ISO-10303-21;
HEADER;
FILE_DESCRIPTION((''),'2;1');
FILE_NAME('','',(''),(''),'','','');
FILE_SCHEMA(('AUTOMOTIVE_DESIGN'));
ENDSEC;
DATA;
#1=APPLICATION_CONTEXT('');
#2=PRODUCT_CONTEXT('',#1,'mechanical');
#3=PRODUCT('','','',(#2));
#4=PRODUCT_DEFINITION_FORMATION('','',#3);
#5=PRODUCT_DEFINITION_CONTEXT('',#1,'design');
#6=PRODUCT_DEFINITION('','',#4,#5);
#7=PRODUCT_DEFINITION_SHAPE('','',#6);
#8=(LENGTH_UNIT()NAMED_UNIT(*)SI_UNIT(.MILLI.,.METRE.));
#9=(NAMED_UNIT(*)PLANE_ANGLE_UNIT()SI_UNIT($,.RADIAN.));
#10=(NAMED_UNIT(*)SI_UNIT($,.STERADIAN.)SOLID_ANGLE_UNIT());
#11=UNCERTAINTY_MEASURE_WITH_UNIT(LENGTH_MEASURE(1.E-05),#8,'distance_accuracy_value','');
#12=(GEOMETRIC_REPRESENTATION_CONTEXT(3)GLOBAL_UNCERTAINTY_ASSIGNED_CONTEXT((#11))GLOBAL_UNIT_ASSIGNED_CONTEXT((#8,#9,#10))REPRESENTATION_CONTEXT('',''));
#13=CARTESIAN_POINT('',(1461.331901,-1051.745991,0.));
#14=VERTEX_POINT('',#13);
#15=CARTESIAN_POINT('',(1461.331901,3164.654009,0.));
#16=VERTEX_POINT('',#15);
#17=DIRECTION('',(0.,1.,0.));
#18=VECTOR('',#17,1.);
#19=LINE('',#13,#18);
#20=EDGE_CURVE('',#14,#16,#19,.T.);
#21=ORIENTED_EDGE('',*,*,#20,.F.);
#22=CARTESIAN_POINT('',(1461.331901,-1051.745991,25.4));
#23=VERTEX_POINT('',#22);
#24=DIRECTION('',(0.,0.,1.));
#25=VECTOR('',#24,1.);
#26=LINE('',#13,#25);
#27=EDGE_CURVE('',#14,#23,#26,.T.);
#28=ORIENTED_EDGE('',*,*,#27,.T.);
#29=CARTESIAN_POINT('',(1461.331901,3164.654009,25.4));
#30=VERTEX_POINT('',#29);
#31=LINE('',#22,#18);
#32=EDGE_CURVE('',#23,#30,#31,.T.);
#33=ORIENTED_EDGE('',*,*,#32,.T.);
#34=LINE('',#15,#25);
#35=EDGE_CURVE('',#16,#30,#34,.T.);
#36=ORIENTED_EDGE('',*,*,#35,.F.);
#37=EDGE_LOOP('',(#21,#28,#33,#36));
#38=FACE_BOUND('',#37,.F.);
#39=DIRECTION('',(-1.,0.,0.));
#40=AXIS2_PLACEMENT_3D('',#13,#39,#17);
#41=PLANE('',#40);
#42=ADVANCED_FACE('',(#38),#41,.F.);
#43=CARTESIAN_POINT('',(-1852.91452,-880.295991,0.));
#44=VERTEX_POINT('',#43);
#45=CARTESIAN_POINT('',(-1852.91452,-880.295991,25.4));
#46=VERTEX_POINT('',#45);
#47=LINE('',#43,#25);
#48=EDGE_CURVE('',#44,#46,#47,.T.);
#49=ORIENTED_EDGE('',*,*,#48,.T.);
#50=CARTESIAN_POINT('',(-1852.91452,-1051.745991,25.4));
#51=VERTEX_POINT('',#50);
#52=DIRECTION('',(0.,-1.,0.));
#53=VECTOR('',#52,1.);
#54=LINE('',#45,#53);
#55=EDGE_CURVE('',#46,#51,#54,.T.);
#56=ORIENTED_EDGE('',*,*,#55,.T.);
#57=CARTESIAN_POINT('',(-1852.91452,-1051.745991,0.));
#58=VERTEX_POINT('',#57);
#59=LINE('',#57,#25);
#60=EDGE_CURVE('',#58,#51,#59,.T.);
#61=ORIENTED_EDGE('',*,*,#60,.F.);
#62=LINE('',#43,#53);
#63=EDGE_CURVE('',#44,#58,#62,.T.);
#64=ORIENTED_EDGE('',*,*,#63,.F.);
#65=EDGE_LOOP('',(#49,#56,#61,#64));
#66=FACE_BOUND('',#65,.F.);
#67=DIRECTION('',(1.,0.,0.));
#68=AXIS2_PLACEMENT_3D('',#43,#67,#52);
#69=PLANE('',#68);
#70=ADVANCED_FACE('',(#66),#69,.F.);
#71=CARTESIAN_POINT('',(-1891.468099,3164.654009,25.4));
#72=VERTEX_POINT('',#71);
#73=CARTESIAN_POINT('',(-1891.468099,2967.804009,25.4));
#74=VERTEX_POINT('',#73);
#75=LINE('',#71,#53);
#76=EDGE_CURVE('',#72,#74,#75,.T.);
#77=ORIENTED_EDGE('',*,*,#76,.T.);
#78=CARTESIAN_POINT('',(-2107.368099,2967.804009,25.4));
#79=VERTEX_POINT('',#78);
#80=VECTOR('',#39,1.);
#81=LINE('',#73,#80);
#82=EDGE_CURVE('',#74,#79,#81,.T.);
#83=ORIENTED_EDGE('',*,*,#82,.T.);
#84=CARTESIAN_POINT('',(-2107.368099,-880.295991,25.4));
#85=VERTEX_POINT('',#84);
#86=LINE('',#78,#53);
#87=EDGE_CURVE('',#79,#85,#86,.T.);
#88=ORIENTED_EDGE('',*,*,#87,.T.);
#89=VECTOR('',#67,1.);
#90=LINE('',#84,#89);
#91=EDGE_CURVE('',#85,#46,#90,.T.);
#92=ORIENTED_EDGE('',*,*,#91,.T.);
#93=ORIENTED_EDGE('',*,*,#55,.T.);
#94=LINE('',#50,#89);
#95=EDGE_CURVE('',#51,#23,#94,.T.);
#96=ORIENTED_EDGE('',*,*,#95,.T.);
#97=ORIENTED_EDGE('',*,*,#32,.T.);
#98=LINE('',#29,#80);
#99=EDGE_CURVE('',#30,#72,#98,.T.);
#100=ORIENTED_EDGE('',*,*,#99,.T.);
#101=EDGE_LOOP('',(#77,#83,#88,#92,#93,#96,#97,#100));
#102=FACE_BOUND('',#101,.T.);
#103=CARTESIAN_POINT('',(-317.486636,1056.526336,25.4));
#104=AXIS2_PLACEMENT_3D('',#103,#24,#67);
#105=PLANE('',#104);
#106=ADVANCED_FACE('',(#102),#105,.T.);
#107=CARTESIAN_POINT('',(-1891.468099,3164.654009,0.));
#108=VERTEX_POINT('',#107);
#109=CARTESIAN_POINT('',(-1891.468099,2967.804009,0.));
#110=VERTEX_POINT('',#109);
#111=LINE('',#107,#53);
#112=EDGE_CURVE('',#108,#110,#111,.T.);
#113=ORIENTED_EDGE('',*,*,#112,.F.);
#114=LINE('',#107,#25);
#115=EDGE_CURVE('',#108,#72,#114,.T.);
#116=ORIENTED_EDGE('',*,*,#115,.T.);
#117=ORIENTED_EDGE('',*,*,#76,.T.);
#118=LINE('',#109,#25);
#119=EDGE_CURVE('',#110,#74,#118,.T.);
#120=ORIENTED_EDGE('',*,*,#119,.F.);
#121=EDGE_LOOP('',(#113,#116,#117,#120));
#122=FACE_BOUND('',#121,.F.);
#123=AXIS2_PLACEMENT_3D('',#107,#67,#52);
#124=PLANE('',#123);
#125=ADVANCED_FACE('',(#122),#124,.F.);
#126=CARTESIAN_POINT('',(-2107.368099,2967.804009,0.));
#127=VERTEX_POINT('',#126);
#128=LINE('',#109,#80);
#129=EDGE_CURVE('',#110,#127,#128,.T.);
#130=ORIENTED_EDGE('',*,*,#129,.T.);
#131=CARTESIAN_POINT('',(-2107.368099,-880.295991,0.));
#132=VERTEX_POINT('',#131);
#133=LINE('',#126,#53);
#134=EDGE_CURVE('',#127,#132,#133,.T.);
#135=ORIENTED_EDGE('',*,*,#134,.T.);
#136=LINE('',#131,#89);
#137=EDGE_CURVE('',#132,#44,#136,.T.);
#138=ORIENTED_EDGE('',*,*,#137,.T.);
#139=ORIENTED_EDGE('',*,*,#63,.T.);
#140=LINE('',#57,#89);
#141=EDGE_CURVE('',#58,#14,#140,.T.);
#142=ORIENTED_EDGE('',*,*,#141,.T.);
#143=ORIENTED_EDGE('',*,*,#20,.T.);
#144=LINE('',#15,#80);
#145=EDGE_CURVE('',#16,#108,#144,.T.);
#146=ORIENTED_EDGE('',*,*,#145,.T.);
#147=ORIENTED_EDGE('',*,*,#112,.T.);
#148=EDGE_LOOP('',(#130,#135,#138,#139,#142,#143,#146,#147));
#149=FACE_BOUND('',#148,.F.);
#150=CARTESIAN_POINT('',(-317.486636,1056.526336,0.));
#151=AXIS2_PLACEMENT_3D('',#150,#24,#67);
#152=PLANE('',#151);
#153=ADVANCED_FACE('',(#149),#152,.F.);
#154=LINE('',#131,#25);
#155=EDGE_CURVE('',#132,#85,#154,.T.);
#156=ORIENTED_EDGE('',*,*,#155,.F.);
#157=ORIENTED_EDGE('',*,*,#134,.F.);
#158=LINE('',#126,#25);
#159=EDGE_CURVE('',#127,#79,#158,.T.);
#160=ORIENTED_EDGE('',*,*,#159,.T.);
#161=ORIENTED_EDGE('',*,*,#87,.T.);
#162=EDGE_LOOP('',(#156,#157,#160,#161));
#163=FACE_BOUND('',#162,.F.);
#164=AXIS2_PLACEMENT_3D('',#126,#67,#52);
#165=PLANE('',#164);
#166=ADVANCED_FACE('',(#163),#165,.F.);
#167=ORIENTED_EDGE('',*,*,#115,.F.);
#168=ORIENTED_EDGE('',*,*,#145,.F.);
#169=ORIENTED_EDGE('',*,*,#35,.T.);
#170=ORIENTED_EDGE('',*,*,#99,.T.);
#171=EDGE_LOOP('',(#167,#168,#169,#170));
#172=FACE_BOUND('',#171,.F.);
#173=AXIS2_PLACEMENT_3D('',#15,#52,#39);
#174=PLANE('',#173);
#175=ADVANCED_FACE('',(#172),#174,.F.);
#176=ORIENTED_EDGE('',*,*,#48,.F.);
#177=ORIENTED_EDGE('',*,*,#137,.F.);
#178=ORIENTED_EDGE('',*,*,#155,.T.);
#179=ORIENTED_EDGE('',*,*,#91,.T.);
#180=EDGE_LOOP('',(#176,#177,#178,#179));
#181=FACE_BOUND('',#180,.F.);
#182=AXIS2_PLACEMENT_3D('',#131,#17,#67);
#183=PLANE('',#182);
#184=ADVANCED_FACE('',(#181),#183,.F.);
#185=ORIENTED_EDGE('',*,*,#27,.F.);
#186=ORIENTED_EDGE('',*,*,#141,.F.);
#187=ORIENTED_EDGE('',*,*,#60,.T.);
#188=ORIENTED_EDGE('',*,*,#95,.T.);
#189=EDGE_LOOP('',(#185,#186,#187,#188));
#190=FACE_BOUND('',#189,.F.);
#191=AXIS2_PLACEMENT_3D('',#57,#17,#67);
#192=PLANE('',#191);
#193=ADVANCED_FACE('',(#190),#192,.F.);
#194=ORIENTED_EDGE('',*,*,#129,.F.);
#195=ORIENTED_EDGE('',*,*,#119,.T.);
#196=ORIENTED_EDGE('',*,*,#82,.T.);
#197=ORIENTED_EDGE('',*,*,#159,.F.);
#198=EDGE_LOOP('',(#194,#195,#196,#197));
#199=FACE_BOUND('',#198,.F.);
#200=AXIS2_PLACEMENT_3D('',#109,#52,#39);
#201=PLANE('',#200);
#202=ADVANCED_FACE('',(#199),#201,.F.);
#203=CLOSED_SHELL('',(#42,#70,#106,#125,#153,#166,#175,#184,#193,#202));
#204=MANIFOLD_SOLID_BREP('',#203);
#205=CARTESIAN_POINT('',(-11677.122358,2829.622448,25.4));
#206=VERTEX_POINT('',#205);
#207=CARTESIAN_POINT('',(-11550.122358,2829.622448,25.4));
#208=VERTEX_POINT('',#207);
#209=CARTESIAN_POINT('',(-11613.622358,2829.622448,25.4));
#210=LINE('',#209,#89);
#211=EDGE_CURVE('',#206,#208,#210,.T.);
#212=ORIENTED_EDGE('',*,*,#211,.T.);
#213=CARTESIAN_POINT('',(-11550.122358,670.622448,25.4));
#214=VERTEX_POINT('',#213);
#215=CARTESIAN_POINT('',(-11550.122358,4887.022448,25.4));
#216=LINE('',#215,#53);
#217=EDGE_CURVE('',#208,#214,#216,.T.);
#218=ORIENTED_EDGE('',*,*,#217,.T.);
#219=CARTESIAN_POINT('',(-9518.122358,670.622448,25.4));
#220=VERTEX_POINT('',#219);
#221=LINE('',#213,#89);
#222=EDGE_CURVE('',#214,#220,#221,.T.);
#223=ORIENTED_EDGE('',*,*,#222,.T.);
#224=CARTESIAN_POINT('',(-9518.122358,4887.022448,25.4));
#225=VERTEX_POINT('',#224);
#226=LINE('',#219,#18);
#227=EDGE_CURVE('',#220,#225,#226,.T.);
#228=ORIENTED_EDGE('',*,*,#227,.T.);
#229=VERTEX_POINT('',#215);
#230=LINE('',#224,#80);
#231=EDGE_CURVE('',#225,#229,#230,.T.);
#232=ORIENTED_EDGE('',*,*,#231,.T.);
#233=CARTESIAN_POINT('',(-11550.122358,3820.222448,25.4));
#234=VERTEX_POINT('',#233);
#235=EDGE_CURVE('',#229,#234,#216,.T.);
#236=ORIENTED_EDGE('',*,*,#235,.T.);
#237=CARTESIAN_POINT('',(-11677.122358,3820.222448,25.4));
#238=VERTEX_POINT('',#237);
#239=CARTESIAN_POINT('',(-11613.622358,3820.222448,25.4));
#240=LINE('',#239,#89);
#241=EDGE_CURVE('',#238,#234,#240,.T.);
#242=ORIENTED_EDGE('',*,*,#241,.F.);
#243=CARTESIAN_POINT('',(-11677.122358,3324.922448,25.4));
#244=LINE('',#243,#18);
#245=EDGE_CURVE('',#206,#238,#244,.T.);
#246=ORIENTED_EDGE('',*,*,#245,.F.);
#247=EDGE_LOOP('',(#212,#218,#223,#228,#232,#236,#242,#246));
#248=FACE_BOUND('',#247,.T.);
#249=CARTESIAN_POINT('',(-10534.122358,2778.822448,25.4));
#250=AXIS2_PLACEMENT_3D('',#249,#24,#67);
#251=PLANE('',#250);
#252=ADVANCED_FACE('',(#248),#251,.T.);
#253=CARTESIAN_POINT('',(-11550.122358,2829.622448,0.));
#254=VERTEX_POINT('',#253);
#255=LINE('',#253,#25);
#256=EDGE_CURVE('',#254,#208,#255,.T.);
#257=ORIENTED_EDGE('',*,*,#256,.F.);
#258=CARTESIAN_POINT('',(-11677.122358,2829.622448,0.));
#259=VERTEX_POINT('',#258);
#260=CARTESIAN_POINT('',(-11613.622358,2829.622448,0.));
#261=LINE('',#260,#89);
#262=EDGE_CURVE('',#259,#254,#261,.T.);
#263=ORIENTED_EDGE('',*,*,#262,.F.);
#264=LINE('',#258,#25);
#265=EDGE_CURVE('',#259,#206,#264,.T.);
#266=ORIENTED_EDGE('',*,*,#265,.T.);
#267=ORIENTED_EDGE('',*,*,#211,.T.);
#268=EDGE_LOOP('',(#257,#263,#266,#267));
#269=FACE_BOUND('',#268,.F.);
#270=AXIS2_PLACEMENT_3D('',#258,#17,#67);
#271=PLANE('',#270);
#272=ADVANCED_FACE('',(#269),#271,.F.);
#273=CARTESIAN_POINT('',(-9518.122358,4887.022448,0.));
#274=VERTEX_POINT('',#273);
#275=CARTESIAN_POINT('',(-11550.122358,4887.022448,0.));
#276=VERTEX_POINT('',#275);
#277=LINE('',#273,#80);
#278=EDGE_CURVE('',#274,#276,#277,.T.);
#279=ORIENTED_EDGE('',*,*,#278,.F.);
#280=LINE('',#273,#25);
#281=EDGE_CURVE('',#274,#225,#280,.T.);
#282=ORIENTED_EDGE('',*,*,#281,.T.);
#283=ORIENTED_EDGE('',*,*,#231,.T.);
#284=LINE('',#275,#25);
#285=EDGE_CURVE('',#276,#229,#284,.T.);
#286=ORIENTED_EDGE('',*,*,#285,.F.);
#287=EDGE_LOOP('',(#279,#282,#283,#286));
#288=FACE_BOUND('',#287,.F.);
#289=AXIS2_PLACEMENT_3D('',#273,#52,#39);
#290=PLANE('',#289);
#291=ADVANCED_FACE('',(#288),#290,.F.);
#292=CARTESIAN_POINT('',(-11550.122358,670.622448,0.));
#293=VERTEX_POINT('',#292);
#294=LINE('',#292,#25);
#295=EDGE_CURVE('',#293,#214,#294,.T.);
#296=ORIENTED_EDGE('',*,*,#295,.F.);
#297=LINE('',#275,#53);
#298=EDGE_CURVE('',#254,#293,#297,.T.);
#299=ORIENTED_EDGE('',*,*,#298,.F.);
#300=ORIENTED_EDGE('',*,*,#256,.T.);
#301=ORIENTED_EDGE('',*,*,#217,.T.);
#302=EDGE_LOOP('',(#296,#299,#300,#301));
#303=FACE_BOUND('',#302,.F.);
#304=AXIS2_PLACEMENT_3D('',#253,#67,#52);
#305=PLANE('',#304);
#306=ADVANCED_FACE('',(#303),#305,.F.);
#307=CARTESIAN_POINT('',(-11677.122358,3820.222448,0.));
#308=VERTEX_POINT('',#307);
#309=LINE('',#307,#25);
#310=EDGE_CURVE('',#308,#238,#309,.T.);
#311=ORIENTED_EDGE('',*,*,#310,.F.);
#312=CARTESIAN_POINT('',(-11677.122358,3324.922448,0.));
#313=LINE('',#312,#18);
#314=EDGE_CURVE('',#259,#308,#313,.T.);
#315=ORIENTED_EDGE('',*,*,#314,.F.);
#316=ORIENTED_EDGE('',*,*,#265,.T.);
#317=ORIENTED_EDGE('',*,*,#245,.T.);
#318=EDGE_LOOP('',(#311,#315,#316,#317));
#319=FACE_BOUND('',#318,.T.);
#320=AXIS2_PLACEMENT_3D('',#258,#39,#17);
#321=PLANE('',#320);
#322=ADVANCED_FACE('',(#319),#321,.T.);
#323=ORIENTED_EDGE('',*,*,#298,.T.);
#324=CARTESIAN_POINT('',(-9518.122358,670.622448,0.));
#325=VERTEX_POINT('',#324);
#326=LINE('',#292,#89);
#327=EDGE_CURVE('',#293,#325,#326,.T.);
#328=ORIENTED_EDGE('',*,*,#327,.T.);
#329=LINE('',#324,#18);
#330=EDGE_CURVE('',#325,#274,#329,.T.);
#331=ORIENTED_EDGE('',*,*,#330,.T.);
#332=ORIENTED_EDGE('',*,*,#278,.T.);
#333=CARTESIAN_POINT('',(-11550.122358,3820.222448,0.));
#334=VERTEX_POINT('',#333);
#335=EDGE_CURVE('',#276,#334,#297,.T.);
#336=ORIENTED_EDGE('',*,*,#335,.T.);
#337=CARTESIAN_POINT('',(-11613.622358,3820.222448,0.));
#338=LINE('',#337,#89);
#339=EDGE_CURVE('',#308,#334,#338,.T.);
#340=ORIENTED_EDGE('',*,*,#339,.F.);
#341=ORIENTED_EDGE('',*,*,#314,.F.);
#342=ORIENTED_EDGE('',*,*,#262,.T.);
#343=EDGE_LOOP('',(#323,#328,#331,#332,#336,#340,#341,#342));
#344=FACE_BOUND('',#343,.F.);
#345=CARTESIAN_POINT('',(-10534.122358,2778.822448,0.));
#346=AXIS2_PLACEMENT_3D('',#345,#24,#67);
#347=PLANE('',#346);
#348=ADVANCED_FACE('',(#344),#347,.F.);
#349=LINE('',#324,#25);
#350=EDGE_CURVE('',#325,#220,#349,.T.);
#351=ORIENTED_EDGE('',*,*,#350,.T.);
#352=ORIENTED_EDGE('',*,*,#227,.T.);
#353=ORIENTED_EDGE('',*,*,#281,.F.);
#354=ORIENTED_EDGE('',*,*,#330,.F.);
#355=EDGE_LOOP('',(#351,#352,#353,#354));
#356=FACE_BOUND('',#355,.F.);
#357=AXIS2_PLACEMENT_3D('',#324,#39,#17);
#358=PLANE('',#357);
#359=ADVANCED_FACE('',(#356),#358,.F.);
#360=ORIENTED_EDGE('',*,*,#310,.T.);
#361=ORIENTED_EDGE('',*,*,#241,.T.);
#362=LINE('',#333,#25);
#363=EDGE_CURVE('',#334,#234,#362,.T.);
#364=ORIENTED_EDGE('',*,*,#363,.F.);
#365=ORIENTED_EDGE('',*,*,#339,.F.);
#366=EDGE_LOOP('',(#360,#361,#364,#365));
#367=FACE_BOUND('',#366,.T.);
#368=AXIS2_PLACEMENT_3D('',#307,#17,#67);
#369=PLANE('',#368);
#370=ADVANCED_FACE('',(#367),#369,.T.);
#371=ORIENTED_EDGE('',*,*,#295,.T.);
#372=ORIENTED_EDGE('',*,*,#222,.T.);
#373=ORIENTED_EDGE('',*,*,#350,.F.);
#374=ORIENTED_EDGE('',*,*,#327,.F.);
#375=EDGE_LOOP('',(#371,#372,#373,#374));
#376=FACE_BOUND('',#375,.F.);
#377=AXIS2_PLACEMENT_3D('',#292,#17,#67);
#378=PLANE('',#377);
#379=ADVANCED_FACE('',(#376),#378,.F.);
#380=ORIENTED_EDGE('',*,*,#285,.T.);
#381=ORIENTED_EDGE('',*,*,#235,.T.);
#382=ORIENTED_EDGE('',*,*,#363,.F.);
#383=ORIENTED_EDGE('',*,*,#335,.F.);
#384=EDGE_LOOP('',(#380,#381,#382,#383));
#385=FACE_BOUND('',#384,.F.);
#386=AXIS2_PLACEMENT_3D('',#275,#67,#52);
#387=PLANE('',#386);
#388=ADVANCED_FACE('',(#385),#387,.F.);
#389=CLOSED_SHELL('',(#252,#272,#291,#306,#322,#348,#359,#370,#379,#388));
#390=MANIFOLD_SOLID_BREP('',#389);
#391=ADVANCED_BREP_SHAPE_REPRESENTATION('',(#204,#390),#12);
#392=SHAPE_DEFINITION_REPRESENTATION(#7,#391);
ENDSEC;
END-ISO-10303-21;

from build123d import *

# Parameters (mm, degrees)
F1_DEPTH = 25.4
F0_W     = 127
F0_H     = 990.6
F2_DEPTH = 25.4


with BuildPart() as f1:
    # F0 (on Top) → F1 (new body)
    with BuildSketch(Plane.XY):
        Polygon((-1852.91452, -880.295991), (-1852.91452, -1051.745991), (1461.331901, -1051.745991), (1461.331901, 1107.254009), (1461.331901, 2097.854009), (1461.331901, 3164.654009), (-1891.468099, 3164.654009), (-1891.468099, 2967.804009), (-2107.368099, 2967.804009), (-2107.368099, -880.295991), align=None)
    extrude(amount=F1_DEPTH)


with BuildPart() as f2:
    # F0 (on Top) → F2 (new body)
    with BuildSketch(Plane.XY):
        Polygon((-11550.122358, 4887.022448), (-11550.122358, 3820.222448), (-11550.122358, 2829.622448), (-11550.122358, 670.622448), (-9518.122358, 670.622448), (-9518.122358, 4887.022448), align=None)
        with Locations((-11613.622358, 3324.922448)):
            Rectangle(F0_W, F0_H)
    extrude(amount=F2_DEPTH)


solid = Compound([f1.part, f2.part])
